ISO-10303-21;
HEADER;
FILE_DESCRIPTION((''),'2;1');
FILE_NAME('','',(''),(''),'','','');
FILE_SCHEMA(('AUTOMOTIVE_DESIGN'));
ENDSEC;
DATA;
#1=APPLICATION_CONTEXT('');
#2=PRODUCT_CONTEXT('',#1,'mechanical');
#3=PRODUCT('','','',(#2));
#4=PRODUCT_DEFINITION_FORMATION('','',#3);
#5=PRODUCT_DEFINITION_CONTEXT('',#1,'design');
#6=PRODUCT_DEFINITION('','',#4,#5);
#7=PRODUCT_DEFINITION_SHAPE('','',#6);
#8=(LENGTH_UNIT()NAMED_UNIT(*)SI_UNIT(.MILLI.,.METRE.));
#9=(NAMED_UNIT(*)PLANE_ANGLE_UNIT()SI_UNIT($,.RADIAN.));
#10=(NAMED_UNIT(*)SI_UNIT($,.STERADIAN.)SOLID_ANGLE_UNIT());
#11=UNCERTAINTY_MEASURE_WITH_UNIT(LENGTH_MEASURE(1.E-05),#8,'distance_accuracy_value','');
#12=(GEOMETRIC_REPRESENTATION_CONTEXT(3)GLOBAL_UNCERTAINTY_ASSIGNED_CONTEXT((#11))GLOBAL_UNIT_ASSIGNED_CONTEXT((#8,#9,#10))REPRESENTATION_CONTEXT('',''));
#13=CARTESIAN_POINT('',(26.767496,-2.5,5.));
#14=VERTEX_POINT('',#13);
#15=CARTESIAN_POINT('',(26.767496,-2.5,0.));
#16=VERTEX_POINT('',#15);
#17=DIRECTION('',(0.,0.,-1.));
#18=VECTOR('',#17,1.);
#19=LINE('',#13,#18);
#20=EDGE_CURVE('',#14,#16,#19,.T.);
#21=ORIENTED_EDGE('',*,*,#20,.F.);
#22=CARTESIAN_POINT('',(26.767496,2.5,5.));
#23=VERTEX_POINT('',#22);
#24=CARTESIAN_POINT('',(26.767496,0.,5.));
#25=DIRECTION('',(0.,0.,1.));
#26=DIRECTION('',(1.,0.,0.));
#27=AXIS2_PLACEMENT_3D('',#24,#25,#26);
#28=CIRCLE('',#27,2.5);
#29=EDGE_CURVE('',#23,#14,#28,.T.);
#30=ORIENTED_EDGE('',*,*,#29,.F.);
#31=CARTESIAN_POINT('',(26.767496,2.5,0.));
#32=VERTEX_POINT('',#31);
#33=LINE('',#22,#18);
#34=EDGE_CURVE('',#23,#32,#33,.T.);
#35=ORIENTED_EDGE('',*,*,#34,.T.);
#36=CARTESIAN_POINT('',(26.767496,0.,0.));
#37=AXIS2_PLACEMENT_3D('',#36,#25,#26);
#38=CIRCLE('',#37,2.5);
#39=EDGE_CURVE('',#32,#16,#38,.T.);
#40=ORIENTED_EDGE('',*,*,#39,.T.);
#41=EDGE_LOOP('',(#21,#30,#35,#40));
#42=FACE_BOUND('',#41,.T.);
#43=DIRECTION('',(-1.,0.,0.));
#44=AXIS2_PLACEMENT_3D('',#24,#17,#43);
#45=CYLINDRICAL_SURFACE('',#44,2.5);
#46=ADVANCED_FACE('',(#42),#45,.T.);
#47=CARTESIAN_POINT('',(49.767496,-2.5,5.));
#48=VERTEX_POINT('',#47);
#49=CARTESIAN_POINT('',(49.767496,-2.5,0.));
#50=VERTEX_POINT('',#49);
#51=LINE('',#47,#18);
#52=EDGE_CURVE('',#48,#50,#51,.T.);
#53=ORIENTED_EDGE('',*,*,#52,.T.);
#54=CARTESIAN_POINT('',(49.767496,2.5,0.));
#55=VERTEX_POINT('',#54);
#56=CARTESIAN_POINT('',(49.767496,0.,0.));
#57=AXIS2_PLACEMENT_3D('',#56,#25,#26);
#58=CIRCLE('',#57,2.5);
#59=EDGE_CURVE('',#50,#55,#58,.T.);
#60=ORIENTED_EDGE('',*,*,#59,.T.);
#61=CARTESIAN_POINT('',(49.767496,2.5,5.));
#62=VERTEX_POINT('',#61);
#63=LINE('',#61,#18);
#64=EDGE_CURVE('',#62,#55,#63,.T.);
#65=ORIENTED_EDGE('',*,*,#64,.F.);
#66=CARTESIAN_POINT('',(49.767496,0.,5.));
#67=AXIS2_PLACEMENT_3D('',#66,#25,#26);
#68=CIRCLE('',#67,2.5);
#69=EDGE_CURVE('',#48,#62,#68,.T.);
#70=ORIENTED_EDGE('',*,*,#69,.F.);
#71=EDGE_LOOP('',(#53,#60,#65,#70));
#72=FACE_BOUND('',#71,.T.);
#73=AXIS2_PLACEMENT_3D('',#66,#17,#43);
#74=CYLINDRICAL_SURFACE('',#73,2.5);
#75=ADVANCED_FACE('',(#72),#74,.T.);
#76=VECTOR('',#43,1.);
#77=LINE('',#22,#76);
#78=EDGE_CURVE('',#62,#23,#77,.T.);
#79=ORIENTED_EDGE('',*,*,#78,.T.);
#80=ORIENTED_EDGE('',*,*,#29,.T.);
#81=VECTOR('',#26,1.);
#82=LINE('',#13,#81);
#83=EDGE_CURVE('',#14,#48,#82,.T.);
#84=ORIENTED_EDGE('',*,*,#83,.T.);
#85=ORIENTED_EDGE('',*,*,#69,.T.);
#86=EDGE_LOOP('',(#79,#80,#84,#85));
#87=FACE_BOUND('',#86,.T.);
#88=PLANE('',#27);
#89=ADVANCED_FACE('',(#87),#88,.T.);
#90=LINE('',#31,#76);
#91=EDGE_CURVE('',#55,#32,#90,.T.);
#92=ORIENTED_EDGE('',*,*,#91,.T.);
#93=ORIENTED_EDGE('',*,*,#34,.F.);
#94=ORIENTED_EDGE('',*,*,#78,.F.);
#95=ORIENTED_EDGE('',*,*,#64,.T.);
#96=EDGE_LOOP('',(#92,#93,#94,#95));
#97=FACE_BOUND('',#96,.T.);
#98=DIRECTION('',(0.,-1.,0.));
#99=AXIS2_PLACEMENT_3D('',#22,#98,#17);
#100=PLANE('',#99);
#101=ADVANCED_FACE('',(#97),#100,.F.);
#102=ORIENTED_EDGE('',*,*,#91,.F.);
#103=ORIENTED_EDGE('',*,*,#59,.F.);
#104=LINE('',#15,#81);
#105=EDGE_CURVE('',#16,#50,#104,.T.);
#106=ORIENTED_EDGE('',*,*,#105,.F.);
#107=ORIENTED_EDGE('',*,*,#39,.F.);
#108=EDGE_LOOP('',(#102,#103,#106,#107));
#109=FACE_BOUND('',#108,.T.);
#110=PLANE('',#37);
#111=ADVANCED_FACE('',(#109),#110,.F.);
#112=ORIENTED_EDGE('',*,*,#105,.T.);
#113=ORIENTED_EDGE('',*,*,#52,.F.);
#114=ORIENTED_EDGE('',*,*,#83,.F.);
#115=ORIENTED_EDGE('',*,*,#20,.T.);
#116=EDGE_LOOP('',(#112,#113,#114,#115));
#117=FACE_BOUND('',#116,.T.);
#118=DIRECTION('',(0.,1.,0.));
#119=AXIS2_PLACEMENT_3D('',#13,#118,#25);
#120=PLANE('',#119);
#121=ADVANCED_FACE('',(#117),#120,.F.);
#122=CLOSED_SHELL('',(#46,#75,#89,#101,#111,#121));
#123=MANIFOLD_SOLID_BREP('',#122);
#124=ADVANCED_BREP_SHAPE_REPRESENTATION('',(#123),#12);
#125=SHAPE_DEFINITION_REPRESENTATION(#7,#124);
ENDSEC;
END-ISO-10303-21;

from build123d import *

# Parameters (mm, degrees)
BOSS_EXTRUDE2_DEPTH = 5


with BuildPart() as part:
    # Sketch2 → Boss-Extrude2 (new body)
    with BuildSketch(Plane.XY):
        with BuildLine():
            Line((26.767496244, 2.5), (49.767496244, 2.5))
            ThreePointArc((49.767496244, 2.5), (52.267496244, 0), (49.767496244, -2.5))
            Line((49.767496244, -2.5), (26.767496244, -2.5))
            ThreePointArc((26.767496244, -2.5), (24.267496244, 0), (26.767496244, 2.5))
        make_face()
    extrude(amount=BOSS_EXTRUDE2_DEPTH)


solid = part.part
